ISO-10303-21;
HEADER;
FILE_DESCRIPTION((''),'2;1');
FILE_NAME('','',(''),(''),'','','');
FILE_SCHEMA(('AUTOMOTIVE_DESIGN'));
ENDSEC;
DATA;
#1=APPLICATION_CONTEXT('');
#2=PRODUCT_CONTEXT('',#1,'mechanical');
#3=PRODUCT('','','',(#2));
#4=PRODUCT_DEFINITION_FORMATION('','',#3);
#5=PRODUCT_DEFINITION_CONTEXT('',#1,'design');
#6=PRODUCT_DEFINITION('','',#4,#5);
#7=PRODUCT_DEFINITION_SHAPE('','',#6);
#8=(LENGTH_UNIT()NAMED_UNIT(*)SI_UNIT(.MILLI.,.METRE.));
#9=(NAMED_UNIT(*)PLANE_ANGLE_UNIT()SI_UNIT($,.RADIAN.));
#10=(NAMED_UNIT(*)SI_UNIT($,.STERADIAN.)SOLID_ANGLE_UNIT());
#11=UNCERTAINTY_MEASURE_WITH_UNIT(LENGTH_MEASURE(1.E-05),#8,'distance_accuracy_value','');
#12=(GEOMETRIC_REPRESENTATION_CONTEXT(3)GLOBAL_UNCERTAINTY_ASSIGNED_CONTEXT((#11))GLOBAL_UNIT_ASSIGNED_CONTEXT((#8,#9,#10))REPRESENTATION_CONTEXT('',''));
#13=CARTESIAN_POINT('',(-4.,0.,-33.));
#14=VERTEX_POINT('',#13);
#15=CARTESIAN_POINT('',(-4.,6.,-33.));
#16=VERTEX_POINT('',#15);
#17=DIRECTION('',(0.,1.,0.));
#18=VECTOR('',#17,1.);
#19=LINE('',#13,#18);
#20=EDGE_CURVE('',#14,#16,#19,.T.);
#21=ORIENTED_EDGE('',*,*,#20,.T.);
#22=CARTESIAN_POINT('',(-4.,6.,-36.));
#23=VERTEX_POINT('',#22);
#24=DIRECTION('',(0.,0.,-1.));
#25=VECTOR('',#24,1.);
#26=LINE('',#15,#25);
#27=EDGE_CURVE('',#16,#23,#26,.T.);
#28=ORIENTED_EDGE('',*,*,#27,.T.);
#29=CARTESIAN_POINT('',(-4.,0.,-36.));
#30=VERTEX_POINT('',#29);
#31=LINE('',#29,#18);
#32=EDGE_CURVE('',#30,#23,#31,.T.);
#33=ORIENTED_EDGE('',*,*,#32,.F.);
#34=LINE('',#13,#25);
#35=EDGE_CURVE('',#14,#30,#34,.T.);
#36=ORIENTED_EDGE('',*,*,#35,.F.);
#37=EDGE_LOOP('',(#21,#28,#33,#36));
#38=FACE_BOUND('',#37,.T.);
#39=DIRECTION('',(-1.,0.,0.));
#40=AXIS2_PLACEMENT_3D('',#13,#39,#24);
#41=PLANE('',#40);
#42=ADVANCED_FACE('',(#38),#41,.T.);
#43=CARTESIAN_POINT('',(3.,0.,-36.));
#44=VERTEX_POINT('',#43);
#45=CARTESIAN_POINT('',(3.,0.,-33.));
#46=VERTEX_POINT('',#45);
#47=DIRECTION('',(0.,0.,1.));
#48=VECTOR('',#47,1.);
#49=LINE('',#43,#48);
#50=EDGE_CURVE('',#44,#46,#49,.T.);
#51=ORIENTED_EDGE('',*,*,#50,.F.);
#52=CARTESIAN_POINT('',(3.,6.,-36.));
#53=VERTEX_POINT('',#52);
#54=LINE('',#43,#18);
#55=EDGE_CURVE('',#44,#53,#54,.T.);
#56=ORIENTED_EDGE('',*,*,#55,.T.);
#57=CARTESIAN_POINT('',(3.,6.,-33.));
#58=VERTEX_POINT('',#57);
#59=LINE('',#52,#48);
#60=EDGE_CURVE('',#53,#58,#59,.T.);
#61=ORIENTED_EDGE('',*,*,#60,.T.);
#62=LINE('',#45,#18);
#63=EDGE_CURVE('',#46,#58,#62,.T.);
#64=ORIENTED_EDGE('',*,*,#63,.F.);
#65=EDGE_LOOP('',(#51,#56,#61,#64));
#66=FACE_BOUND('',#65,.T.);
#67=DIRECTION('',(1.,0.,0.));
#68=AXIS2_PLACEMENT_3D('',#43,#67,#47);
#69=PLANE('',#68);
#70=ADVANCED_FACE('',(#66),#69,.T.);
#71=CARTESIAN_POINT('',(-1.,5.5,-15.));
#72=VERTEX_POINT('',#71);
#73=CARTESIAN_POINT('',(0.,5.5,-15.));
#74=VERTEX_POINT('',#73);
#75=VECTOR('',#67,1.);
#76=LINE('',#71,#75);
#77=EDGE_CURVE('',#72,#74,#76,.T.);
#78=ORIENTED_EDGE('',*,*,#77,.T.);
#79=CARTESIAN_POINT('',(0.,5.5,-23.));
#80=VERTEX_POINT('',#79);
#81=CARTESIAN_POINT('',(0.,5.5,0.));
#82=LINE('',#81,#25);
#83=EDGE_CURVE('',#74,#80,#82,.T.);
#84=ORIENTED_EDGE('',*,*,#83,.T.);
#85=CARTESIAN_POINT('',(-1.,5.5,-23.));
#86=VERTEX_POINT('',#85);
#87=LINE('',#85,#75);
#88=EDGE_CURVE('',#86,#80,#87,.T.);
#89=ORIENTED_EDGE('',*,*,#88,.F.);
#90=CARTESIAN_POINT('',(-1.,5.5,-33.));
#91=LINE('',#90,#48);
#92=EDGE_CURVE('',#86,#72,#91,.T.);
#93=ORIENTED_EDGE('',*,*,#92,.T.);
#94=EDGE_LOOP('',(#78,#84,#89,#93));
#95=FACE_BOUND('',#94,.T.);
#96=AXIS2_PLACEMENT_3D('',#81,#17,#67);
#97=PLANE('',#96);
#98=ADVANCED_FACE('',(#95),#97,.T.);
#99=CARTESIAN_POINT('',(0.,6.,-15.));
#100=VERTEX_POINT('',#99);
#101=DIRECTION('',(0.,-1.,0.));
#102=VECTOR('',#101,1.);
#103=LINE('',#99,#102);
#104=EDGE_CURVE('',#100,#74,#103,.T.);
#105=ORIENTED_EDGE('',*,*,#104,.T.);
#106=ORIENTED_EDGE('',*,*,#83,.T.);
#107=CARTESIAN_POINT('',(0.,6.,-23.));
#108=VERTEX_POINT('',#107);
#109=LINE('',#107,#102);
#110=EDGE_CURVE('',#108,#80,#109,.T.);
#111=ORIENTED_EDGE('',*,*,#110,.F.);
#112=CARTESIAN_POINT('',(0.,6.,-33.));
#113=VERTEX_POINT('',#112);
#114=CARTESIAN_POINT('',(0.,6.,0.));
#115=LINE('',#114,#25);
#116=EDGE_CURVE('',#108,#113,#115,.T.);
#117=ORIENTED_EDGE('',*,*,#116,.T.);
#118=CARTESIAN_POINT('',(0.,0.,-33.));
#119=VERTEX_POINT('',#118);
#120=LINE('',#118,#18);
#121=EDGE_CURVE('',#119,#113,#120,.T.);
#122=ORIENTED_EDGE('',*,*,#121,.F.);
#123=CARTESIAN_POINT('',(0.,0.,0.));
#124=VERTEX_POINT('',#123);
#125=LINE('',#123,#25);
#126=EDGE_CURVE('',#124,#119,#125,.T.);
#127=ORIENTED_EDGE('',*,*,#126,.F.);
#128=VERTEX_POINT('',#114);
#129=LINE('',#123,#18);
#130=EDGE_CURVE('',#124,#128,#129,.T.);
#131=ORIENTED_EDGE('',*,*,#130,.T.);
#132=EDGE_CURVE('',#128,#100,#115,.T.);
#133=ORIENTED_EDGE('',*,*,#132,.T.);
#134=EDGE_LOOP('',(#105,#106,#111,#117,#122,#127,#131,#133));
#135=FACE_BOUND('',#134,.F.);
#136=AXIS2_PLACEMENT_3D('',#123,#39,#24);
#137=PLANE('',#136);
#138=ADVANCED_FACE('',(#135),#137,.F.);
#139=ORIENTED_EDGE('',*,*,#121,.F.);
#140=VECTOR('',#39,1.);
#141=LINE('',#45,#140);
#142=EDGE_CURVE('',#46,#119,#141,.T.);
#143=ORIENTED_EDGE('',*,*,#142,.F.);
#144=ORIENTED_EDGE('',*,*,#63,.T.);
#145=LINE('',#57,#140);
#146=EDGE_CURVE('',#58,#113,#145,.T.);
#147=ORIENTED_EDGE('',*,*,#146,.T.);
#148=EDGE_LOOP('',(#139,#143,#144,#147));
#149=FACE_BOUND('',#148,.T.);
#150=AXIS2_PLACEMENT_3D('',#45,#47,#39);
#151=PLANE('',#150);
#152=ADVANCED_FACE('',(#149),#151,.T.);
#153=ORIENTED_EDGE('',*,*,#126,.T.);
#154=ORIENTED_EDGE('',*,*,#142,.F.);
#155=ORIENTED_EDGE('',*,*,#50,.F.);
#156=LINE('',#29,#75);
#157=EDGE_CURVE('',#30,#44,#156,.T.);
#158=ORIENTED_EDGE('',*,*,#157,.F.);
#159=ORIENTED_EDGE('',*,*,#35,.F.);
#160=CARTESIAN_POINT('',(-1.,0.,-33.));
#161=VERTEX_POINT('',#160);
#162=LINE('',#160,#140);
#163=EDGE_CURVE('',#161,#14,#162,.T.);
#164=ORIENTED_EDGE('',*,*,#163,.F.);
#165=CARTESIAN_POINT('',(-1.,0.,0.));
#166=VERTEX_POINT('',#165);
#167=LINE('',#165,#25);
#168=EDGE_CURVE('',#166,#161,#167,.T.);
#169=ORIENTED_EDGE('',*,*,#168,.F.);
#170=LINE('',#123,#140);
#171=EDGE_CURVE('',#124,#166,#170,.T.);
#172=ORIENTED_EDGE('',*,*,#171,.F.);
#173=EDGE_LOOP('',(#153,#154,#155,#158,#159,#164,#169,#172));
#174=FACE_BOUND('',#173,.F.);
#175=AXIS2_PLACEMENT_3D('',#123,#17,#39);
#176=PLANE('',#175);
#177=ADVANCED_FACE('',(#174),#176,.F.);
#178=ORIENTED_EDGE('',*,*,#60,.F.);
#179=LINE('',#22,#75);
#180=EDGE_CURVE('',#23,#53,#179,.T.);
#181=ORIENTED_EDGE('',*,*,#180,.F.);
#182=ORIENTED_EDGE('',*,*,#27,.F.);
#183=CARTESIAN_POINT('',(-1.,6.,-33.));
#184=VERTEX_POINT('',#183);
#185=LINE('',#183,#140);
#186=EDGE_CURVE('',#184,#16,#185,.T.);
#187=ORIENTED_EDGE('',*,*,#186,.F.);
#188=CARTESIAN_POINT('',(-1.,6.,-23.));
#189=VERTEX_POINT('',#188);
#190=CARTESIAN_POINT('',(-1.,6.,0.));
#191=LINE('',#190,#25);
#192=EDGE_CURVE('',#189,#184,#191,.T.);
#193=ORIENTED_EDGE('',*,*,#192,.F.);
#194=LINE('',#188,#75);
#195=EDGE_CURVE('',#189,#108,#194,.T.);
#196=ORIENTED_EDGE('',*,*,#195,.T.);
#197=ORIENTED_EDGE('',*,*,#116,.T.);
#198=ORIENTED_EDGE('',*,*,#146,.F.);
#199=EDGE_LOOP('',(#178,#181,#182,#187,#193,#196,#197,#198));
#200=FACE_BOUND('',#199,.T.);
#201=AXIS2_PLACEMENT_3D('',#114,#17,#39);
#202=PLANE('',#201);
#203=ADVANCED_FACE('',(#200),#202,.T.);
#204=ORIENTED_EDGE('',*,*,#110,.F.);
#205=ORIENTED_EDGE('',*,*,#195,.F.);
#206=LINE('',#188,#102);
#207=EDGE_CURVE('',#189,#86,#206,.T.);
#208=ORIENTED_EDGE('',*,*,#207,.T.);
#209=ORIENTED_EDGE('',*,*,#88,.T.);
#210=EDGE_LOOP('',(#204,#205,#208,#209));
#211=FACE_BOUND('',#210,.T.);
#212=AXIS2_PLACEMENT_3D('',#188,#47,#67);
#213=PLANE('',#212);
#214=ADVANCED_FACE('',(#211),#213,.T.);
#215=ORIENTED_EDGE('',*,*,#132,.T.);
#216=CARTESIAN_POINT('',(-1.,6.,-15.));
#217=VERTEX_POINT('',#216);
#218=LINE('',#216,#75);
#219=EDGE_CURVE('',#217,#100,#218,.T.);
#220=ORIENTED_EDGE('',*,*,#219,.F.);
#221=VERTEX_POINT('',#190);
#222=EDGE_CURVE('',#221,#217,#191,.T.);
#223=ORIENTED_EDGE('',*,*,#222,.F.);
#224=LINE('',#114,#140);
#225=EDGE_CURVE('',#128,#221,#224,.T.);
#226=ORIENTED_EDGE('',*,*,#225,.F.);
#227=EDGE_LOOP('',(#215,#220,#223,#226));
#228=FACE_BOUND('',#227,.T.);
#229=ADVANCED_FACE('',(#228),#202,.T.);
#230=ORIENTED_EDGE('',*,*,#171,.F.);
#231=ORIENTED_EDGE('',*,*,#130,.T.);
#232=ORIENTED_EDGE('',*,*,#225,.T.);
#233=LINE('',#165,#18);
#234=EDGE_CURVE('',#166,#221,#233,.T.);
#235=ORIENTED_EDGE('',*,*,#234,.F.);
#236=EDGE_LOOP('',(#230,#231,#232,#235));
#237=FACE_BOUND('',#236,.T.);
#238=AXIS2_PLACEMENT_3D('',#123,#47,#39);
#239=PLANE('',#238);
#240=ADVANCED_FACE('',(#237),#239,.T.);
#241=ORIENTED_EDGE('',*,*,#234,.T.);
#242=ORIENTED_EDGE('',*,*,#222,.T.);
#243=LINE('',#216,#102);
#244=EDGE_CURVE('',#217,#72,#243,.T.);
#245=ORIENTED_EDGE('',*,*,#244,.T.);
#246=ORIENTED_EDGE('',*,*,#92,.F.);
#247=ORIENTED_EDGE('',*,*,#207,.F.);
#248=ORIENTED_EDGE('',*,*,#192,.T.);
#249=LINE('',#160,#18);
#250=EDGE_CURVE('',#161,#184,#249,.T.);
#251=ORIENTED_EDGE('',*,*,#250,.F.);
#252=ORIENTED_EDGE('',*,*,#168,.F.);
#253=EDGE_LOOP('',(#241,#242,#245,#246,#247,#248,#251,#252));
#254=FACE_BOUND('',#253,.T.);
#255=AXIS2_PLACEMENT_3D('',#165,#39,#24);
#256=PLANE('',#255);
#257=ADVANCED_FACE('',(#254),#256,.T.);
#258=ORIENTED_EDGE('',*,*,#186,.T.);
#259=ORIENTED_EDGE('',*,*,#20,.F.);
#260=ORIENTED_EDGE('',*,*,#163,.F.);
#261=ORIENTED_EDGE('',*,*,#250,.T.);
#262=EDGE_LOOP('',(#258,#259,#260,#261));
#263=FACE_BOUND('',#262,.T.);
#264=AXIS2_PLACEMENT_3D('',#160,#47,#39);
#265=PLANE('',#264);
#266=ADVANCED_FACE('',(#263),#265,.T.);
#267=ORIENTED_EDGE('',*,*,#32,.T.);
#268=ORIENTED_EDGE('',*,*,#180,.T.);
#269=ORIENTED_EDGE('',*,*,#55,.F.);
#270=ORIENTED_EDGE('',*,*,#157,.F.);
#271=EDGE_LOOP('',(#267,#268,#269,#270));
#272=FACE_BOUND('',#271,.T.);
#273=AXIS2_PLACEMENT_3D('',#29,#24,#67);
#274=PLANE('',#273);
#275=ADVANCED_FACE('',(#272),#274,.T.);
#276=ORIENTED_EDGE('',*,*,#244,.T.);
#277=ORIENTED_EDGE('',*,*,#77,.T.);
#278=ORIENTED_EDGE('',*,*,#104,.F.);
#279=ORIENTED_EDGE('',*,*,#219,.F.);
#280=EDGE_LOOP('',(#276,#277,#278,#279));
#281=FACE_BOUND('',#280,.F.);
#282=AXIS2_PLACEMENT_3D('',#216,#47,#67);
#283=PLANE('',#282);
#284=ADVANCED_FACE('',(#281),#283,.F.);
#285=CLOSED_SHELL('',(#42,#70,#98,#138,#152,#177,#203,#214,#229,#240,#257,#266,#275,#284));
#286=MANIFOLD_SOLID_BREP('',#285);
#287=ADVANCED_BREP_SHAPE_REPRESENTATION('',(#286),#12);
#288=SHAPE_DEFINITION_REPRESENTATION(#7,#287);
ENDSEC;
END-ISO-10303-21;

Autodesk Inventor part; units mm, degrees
ref_plane "YZ Plane" through (0, 0, 0) normal (1, 0, 0) x (0, 1, 0)
ref_plane "XZ Plane" through (0, 0, 0) normal (0, 1, 0) x (-1, 0, 0)
ref_plane "XY Plane" through (0, 0, 0) normal (0, 0, 1) x (1, 0, 0)
sketch "Sketch1" plane through (0, 0, 0) normal (0, 1, 0) x (-1, 0, 0)
  line L0 (0, 0) -> (0, -33)
  line L1 (0, 0) -> (1, 0)
  line L2 (1, 0) -> (1, -33)
  line L3 (1, -33) -> (4, -33)
  line L4 (4, -33) -> (4, -36)
  line L5 (4, -36) -> (-3, -36)
  line L6 (-3, -36) -> (-3, -33)
  line L7 (-3, -33) -> (0, -33)
  dimension "d0" = 33
  dimension "d1" = 1
  dimension "d2" = 33
  dimension "d3" = 3
  dimension "d4" = 3
  dimension "d5" = 7
extrude "Extrusion1" add sketch "Sketch1" along normal blind 6
sketch "Sketch2" plane through (0, 6, 0) normal (0, 1, 0) x (1, 0, 0)
  line L0 (-1, 33) -> (-1, 0) projected
  line L1 (-1, 0) -> (-1, 15)
  line L2 (-1, 0) -> (-1, 23)
  line L3 (-1, 15) -> (0, 15)
  line L4 (0, 0) -> (0, 33) projected
  line L5 (-1, 23) -> (0, 23)
  line L6 (0, 15) -> (0, 23)
  dimension "d8" = 15
  dimension "d9" = 23
extrude "Extrusion2" cut sketch "Sketch2" against normal blind 0.5
properties part number "light_divider"
